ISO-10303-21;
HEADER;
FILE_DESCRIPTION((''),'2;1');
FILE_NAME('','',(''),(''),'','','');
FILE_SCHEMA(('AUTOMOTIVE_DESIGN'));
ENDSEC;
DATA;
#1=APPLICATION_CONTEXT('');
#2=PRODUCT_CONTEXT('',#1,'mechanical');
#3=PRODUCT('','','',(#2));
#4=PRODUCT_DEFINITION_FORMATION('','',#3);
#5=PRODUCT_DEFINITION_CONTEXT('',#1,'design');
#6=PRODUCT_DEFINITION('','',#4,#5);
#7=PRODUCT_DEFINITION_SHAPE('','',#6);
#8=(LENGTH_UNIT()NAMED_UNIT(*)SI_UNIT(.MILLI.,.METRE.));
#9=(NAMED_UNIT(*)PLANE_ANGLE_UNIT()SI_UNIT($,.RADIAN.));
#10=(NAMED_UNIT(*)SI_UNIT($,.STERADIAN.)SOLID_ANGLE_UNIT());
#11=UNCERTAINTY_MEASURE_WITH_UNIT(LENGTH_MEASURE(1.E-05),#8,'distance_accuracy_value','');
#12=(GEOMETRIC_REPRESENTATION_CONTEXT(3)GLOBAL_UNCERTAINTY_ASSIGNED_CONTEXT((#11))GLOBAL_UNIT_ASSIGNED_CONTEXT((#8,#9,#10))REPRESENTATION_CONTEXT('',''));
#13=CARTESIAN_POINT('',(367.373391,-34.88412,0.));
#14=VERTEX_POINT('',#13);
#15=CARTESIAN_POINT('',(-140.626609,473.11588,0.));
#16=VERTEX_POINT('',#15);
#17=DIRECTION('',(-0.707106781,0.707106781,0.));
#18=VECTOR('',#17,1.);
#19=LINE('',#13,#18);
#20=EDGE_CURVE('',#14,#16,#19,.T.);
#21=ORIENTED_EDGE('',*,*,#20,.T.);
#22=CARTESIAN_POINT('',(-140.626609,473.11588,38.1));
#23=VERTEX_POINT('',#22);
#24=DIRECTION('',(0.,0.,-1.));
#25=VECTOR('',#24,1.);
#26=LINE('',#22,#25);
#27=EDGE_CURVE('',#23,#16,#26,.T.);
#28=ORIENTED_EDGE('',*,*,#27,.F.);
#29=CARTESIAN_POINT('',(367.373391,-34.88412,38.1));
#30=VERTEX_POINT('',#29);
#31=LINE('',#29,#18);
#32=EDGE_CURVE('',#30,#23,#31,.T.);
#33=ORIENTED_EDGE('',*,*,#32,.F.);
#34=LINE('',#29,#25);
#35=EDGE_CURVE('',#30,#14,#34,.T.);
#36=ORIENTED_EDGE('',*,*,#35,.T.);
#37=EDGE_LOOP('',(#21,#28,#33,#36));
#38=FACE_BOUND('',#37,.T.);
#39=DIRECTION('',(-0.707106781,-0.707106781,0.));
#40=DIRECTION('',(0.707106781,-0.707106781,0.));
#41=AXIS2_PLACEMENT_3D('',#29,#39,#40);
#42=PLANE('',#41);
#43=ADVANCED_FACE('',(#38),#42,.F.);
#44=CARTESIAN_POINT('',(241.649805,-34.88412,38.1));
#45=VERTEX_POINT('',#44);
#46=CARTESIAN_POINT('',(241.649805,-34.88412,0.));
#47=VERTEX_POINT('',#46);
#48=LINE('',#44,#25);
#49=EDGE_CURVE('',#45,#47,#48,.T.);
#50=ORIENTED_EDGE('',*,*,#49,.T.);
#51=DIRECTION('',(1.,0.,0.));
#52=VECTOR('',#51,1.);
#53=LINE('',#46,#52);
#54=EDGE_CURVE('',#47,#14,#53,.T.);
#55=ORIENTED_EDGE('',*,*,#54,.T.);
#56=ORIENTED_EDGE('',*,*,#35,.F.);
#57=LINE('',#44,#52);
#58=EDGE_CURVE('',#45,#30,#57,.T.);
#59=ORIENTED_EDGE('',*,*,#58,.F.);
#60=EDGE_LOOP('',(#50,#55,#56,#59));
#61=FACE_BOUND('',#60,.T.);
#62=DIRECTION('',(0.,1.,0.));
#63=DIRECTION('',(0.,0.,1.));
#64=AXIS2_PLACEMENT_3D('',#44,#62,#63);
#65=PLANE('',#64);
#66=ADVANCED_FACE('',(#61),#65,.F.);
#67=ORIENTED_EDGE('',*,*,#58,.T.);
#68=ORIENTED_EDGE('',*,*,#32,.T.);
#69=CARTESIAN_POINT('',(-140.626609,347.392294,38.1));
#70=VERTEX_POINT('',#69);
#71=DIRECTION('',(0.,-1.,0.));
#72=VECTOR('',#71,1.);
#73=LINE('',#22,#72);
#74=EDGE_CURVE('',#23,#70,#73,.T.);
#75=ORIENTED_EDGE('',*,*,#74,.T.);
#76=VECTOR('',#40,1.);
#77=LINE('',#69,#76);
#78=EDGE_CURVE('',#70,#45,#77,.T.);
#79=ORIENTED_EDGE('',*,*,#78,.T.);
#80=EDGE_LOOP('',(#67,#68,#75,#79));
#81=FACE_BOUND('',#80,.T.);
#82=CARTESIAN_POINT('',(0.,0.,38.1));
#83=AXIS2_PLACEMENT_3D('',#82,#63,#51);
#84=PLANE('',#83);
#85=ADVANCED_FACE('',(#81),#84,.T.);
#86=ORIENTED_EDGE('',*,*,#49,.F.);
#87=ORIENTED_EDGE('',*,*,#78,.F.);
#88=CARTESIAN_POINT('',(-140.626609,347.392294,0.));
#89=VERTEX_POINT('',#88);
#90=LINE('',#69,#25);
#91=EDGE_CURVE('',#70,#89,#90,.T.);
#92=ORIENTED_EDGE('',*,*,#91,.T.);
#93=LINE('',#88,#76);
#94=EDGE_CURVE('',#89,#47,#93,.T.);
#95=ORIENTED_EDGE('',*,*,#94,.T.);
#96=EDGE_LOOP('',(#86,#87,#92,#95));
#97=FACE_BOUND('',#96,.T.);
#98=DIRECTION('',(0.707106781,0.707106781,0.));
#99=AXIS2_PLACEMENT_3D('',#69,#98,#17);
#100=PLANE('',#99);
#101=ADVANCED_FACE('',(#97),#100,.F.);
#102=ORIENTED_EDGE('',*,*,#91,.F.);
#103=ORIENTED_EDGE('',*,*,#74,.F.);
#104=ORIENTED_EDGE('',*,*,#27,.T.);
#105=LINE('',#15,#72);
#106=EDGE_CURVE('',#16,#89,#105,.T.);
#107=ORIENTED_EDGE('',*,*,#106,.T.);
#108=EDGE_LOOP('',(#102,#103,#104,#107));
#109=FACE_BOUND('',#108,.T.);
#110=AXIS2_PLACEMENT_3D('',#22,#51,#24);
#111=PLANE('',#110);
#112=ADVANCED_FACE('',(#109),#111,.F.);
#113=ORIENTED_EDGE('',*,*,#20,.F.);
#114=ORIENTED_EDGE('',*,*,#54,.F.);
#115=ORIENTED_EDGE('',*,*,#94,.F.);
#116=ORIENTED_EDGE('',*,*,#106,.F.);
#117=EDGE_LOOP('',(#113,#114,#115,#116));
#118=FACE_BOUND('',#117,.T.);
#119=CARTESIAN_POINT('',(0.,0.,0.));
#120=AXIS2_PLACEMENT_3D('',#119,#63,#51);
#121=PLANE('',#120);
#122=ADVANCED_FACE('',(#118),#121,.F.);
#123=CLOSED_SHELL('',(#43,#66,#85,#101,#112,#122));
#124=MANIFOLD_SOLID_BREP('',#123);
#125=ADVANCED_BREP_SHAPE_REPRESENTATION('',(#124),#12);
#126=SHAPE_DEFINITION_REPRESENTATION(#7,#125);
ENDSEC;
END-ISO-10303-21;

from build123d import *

# Parameters (mm, degrees)
BOSS_EXTRUDE1_DEPTH = 38.1


with BuildPart() as part:
    # Sketch1 → Boss-Extrude1 (new body)
    with BuildSketch(Plane.XY):
        Polygon((241.649804863, -34.884120172), (367.373390558, -34.884120172), (-140.626609442, 473.115879828), (-140.626609442, 347.392294133), align=None)
    extrude(amount=BOSS_EXTRUDE1_DEPTH)


solid = part.part
